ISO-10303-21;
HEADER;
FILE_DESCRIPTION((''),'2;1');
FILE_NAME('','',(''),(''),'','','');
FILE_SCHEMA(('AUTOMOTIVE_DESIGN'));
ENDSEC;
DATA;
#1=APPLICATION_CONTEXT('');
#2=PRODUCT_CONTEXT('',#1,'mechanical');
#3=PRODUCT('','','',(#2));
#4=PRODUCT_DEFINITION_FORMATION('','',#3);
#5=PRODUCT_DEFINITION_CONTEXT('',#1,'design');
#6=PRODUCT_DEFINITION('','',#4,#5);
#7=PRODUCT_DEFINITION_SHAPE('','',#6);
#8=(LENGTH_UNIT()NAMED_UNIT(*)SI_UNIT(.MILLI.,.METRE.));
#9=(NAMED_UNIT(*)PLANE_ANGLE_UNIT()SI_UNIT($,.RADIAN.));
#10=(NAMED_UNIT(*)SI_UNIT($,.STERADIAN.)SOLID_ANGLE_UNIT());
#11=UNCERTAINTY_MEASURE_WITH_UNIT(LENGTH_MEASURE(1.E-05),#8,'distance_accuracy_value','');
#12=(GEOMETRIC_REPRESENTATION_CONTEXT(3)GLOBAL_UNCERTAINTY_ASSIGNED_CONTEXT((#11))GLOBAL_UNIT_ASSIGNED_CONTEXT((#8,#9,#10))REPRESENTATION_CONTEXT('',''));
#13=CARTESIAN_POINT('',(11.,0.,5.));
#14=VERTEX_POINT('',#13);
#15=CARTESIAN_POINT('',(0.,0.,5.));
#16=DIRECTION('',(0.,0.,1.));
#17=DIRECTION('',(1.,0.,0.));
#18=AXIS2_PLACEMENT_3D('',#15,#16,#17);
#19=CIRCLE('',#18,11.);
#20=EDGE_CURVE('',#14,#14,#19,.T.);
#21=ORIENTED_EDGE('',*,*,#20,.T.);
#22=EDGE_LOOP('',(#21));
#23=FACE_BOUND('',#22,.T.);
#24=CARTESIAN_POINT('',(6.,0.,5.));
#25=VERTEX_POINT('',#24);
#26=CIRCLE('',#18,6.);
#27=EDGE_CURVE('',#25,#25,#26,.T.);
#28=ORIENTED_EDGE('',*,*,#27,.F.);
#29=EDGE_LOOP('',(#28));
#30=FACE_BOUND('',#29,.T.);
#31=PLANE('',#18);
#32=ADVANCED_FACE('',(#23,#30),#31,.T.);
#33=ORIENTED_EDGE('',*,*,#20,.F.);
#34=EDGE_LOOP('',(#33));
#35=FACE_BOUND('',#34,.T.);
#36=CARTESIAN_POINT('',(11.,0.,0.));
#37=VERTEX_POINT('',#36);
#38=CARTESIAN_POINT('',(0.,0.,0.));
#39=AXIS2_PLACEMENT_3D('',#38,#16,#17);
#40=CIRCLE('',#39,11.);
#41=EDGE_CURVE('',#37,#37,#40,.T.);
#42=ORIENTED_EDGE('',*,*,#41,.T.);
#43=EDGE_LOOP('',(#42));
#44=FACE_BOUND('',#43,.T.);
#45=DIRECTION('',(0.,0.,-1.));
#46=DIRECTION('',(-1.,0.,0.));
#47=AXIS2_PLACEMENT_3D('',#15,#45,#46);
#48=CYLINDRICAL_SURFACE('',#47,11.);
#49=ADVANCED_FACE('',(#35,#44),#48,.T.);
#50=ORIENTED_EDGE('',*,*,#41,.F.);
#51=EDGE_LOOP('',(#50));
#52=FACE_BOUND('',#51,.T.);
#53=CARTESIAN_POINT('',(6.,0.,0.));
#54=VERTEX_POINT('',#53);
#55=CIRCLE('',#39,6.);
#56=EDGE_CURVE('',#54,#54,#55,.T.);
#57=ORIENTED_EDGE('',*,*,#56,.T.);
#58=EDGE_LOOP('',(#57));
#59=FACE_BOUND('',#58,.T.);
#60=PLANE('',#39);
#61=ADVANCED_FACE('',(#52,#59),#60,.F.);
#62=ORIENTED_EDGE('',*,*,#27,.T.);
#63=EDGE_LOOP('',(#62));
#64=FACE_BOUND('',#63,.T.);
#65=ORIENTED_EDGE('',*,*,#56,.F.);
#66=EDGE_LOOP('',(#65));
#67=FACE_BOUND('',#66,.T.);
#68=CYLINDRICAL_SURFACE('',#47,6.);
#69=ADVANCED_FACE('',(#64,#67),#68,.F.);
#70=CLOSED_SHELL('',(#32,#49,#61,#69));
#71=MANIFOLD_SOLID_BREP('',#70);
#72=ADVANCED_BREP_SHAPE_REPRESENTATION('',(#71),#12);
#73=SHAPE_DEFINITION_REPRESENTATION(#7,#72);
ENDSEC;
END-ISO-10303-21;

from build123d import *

# Parameters (mm, degrees)
SKETCH_1_R      = 11
SKETCH_1_R_2    = 6
EXTRUDE_1_DEPTH = 5


with BuildPart() as part:
    # Эскиз1 → Бобышка-Вытянуть1 (new body)
    with BuildSketch(Plane.XY):
        Circle(SKETCH_1_R)
        Circle(SKETCH_1_R_2, mode=Mode.SUBTRACT)
    extrude(amount=EXTRUDE_1_DEPTH)


solid = part.part
